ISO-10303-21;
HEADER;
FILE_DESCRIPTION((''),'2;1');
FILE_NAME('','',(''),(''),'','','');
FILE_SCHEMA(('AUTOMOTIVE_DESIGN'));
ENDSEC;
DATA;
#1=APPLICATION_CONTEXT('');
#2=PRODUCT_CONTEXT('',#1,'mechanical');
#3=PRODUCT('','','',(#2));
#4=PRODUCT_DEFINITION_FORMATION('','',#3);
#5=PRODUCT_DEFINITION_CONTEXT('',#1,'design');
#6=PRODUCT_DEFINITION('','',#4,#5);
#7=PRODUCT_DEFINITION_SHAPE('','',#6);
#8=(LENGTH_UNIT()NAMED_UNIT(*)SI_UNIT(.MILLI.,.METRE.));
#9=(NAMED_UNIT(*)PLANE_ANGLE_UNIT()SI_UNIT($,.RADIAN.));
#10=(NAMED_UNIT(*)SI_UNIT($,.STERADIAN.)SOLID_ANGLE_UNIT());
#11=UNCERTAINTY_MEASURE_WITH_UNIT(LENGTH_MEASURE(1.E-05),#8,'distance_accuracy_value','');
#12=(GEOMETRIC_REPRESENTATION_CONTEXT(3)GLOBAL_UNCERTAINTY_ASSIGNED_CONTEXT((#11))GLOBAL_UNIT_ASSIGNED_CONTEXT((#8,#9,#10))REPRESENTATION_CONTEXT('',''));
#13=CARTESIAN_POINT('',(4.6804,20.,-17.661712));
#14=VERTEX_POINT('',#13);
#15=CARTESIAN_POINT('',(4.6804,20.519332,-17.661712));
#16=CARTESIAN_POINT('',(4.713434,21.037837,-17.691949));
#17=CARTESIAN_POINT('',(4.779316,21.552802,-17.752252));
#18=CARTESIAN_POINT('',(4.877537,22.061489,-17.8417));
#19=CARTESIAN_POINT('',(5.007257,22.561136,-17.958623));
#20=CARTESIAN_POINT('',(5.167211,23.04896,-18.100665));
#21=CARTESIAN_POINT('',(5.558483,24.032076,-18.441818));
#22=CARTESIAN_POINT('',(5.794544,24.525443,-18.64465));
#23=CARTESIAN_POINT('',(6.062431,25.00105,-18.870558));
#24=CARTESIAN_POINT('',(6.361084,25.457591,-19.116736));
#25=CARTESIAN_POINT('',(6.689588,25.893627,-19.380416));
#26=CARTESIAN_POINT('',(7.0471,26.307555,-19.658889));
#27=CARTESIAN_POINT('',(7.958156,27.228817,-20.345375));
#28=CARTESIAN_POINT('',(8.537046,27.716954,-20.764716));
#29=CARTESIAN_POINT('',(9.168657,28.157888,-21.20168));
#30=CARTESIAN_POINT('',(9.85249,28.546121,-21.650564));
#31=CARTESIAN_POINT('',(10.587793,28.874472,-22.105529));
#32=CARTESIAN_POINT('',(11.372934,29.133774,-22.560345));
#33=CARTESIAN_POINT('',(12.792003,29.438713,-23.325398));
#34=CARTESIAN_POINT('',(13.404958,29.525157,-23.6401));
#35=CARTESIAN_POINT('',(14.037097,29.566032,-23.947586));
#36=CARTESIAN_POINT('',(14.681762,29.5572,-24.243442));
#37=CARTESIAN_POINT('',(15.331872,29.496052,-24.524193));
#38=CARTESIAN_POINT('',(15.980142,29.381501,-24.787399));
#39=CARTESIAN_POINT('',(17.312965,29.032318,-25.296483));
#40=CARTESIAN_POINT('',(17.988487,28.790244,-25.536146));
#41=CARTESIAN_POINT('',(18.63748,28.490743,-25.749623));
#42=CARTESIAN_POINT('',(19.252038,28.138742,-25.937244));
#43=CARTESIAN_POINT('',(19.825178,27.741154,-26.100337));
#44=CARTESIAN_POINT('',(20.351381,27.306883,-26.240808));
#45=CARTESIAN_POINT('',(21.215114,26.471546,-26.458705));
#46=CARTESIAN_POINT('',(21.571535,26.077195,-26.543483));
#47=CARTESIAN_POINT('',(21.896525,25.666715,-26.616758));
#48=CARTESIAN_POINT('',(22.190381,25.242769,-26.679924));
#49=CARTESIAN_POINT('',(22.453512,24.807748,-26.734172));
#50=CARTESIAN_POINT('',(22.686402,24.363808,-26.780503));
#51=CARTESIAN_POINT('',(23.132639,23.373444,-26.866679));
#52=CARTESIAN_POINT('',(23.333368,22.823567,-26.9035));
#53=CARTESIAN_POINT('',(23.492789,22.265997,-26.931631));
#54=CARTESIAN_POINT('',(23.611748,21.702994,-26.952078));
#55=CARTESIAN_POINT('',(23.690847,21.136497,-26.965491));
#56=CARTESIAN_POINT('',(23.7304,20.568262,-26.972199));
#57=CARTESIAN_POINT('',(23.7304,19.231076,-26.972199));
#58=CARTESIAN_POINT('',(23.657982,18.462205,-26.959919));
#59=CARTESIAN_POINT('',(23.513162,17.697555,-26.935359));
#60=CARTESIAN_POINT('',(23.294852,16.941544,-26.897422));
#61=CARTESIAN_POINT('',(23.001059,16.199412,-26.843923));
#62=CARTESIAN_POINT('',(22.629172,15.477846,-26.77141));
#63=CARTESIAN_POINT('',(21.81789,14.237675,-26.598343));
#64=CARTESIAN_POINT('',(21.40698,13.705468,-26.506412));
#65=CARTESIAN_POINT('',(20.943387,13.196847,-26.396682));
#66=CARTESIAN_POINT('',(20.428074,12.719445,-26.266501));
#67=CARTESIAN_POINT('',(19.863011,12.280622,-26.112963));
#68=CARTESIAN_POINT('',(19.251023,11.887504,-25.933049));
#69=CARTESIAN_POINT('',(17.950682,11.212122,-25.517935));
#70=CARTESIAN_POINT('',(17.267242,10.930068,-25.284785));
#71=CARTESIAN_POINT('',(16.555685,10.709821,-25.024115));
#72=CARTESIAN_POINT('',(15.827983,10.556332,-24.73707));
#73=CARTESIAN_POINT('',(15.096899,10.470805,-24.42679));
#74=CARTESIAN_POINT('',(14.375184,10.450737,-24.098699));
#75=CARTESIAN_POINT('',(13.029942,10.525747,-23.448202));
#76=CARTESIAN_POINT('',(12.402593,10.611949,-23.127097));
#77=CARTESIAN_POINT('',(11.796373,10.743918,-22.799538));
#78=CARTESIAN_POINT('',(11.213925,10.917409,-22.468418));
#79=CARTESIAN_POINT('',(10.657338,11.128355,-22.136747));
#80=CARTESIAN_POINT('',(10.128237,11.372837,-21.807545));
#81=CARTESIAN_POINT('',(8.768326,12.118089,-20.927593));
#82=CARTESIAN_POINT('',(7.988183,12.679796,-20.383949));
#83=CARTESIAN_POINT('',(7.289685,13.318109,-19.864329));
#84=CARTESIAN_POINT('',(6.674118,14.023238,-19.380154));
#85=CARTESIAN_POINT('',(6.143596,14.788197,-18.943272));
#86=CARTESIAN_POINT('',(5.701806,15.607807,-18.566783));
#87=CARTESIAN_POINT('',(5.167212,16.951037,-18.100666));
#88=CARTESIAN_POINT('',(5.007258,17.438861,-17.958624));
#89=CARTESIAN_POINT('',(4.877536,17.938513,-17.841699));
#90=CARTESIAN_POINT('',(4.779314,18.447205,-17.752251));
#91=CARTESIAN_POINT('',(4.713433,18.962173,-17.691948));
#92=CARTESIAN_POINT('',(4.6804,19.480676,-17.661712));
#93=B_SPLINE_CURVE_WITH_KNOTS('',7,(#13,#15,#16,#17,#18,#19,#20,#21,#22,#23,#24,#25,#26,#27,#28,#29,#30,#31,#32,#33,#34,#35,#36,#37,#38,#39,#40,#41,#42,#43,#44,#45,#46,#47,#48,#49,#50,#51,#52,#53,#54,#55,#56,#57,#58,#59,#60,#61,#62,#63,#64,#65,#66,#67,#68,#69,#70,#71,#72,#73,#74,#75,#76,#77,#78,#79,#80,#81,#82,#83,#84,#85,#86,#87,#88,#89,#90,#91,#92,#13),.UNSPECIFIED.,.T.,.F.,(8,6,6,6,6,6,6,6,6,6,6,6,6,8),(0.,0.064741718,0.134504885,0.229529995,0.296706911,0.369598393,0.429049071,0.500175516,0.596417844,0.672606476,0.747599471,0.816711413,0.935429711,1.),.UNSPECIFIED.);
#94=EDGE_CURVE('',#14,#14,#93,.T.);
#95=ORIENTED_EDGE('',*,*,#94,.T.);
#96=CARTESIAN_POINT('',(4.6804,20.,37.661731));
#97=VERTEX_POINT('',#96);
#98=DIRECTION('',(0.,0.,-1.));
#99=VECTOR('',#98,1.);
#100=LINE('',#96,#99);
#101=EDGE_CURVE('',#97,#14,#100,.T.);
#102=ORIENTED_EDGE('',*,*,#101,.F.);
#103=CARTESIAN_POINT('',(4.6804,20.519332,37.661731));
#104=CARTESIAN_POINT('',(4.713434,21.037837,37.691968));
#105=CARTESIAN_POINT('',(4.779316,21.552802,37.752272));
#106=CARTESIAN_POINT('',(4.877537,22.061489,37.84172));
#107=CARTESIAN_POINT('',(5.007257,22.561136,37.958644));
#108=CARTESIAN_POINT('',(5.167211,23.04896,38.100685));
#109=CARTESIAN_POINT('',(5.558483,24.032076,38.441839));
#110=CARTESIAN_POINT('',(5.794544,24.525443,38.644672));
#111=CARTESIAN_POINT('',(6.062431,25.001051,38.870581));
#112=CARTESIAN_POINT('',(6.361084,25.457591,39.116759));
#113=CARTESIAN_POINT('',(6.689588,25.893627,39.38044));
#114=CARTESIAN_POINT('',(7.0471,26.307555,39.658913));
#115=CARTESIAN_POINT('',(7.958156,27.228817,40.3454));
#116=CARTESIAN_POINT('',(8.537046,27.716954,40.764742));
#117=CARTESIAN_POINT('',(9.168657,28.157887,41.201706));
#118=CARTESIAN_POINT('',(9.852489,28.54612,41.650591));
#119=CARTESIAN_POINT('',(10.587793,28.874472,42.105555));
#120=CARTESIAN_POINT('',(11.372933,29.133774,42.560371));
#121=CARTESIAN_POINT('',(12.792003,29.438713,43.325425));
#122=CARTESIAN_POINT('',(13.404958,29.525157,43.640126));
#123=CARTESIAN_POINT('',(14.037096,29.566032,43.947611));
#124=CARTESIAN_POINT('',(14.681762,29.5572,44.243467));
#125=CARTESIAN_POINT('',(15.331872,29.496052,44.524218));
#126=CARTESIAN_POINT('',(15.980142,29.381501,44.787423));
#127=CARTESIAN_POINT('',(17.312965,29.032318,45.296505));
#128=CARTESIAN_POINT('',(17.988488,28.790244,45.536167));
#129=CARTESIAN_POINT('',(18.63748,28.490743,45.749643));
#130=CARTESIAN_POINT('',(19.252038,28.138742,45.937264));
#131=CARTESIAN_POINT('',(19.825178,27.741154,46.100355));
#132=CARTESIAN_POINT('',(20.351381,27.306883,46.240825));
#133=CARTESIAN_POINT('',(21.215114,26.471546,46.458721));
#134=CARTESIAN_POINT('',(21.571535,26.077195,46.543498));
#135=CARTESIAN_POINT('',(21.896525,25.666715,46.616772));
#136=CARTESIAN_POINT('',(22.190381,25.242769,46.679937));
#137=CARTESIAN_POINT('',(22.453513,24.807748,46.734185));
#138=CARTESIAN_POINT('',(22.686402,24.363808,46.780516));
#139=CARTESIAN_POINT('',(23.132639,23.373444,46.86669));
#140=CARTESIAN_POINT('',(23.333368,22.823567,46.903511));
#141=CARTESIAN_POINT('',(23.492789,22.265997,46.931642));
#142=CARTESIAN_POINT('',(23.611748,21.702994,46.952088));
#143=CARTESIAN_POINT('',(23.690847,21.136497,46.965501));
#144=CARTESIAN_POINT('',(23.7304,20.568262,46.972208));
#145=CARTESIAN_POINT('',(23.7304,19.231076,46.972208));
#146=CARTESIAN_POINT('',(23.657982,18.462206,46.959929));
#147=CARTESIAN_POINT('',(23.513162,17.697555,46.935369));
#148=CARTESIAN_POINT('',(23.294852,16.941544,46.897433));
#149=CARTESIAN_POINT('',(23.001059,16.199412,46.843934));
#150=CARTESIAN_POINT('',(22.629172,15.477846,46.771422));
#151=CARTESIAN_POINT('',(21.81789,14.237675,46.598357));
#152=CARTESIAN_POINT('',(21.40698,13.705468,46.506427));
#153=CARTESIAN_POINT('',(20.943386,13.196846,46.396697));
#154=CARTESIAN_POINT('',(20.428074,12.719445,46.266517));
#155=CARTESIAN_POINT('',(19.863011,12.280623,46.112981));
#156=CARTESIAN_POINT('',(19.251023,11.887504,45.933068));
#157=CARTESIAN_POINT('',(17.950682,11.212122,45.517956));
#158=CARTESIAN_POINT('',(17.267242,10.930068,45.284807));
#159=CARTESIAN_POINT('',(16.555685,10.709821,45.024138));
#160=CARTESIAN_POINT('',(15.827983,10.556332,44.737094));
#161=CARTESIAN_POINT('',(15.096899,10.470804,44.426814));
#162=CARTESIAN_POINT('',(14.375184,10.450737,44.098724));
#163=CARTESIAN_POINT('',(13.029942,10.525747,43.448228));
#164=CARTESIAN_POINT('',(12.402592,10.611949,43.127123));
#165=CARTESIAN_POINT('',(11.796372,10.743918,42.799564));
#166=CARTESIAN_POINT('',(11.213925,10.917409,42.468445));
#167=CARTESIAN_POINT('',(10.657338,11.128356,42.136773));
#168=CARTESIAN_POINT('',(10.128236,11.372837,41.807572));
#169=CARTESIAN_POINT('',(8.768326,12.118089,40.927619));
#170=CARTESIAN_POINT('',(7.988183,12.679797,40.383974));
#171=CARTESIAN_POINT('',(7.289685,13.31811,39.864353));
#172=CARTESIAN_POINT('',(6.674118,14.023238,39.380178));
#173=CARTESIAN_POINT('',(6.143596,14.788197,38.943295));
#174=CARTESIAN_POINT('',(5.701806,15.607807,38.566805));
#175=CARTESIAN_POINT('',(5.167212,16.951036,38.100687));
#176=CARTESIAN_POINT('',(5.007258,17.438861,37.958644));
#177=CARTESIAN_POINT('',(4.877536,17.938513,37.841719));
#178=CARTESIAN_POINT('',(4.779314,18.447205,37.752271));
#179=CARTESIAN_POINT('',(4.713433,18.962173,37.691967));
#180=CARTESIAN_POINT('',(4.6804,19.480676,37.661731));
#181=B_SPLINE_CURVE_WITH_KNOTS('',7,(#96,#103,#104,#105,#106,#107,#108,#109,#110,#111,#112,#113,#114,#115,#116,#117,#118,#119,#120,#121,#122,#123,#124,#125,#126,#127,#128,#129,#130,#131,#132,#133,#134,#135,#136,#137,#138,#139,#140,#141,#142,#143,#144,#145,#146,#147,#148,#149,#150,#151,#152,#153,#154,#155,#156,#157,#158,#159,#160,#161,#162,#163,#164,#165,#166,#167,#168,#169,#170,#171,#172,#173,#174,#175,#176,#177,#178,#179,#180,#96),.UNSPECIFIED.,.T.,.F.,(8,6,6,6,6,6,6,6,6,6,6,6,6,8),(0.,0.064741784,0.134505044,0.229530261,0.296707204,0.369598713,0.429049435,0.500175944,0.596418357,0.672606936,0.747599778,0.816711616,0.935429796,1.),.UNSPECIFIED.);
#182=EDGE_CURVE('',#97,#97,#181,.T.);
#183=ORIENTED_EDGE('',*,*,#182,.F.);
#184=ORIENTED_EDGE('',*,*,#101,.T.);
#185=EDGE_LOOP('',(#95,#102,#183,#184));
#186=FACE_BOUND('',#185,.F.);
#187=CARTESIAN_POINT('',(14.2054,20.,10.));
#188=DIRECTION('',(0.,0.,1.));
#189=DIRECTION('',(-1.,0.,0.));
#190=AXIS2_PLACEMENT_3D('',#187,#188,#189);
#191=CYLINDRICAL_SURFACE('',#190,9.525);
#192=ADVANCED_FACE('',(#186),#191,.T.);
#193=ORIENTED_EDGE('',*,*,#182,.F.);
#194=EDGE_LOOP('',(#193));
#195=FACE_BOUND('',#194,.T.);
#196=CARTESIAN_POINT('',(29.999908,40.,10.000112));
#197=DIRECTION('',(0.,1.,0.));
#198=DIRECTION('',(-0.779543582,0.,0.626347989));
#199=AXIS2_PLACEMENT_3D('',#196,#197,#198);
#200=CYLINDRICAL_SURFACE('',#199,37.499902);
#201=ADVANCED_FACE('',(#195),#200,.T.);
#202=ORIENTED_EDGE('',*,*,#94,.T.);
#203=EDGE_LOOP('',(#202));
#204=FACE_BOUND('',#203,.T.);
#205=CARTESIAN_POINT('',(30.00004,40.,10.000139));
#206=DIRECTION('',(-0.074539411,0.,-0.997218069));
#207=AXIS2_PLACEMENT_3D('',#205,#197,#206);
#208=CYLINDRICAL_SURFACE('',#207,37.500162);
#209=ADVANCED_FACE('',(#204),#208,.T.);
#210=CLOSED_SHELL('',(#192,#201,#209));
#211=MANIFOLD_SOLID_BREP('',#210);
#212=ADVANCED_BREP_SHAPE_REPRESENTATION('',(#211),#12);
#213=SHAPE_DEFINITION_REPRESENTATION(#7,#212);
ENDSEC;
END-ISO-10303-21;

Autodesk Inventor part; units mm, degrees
ref_plane "YZ Plane" through (0, 0, 0) normal (1, 0, 0) x (0, 1, 0)
ref_plane "XZ Plane" through (0, 0, 0) normal (0, 1, 0) x (-1, 0, 0)
ref_plane "XY Plane" through (0, 0, 0) normal (0, 0, 1) x (1, 0, 0)
ref_plane "Work Plane4" through (66.1421, 0, 10) normal (0, 0, -1) x (-1, 0, 0)
ref_plane "Work Plane2" through (66.1421, 0, 20) normal (0, 0, -1) x (-1, 0, 0)
ref_plane "Work Plane3" through (0, 0, 0) normal (0, 0, 1) x (1, 0, 0)
sketch "Sketch3" plane through (66.1421, 0, 10) normal (0, 0, -1) x (-1, 0, 0)
  circle A0 centre (51.9367, 20) radius 9.525 projected
  point P0 (66.1421, 0)
extrude "Extrusion1" add sketch "Sketch3" along normal mid plane 80
sketch "Sketch4" plane through (14.2054, 20, 50) normal (0, 0, 1) x (1, 0, 0)
  circle A0 centre (0, 0) radius 9.525 projected
  point P0 (-14.2054, -20)
ref_plane "Work Plane5" through (29.321, 40, 10) normal (0, 1, 0) x (-1, 0, 0)
sketch "Sketch5" plane through (29.321, 40, 10) normal (0, 1, 0) x (-1, 0, 0)
  line L0 (5.5907, -10) -> (24.6407, -10) projected
  line L1 (5.5907, -10) -> (24.6407, -10) projected
  line L2 (24.6407, 10) -> (5.5907, 10) projected
  arc A0 (2.1162, -37.3957) -> (28.5539, -23.4881) centre (-0.679, 0) ccw
  arc A1 (28.5539, 23.4881) -> (2.1162, 37.3957) centre (-0.679, 0) ccw
  line L3 (28.5539, -66.6217) -> (28.5539, -23.4881)
  line L4 (28.5539, 23.4881) -> (28.5539, 69.2229)
  line L5 (2.1162, -66.6217) -> (2.1162, -37.3957)
  line L6 (2.1162, 37.3957) -> (2.1162, 69.2229)
  line L7 (28.5539, -66.6217) -> (2.1162, -66.6217)
  line L8 (28.5539, 69.2229) -> (2.1162, 69.2229)
  arc A2 (-36.821, -10) -> (34.3068, -13.5) centre (-0.679, 0) ccw projected
  line L9 (34.3068, -13.5) -> (39.3068, -13.5) projected
  line L10 (39.3068, -13.5) -> (43.0149, 0) projected
  line L11 (43.0149, 0) -> (39.3068, 13.5) projected
  line L12 (39.3068, 13.5) -> (34.3068, 13.5) projected
  arc A3 (34.3068, 13.5) -> (-36.821, 10) centre (-0.679, 0) ccw projected
  line L13 (-36.821, 10) -> (36.821, 10) projected
  line L14 (36.821, 10) -> (36.821, -10) projected
  line L15 (36.821, -10) -> (-36.821, -10) projected
extrude "Extrusion2" cut sketch "Sketch5" against normal blind 30 contours A0 L3 L7 L5 | L6 L8 L4 A1
properties part number "HandleRod1"
